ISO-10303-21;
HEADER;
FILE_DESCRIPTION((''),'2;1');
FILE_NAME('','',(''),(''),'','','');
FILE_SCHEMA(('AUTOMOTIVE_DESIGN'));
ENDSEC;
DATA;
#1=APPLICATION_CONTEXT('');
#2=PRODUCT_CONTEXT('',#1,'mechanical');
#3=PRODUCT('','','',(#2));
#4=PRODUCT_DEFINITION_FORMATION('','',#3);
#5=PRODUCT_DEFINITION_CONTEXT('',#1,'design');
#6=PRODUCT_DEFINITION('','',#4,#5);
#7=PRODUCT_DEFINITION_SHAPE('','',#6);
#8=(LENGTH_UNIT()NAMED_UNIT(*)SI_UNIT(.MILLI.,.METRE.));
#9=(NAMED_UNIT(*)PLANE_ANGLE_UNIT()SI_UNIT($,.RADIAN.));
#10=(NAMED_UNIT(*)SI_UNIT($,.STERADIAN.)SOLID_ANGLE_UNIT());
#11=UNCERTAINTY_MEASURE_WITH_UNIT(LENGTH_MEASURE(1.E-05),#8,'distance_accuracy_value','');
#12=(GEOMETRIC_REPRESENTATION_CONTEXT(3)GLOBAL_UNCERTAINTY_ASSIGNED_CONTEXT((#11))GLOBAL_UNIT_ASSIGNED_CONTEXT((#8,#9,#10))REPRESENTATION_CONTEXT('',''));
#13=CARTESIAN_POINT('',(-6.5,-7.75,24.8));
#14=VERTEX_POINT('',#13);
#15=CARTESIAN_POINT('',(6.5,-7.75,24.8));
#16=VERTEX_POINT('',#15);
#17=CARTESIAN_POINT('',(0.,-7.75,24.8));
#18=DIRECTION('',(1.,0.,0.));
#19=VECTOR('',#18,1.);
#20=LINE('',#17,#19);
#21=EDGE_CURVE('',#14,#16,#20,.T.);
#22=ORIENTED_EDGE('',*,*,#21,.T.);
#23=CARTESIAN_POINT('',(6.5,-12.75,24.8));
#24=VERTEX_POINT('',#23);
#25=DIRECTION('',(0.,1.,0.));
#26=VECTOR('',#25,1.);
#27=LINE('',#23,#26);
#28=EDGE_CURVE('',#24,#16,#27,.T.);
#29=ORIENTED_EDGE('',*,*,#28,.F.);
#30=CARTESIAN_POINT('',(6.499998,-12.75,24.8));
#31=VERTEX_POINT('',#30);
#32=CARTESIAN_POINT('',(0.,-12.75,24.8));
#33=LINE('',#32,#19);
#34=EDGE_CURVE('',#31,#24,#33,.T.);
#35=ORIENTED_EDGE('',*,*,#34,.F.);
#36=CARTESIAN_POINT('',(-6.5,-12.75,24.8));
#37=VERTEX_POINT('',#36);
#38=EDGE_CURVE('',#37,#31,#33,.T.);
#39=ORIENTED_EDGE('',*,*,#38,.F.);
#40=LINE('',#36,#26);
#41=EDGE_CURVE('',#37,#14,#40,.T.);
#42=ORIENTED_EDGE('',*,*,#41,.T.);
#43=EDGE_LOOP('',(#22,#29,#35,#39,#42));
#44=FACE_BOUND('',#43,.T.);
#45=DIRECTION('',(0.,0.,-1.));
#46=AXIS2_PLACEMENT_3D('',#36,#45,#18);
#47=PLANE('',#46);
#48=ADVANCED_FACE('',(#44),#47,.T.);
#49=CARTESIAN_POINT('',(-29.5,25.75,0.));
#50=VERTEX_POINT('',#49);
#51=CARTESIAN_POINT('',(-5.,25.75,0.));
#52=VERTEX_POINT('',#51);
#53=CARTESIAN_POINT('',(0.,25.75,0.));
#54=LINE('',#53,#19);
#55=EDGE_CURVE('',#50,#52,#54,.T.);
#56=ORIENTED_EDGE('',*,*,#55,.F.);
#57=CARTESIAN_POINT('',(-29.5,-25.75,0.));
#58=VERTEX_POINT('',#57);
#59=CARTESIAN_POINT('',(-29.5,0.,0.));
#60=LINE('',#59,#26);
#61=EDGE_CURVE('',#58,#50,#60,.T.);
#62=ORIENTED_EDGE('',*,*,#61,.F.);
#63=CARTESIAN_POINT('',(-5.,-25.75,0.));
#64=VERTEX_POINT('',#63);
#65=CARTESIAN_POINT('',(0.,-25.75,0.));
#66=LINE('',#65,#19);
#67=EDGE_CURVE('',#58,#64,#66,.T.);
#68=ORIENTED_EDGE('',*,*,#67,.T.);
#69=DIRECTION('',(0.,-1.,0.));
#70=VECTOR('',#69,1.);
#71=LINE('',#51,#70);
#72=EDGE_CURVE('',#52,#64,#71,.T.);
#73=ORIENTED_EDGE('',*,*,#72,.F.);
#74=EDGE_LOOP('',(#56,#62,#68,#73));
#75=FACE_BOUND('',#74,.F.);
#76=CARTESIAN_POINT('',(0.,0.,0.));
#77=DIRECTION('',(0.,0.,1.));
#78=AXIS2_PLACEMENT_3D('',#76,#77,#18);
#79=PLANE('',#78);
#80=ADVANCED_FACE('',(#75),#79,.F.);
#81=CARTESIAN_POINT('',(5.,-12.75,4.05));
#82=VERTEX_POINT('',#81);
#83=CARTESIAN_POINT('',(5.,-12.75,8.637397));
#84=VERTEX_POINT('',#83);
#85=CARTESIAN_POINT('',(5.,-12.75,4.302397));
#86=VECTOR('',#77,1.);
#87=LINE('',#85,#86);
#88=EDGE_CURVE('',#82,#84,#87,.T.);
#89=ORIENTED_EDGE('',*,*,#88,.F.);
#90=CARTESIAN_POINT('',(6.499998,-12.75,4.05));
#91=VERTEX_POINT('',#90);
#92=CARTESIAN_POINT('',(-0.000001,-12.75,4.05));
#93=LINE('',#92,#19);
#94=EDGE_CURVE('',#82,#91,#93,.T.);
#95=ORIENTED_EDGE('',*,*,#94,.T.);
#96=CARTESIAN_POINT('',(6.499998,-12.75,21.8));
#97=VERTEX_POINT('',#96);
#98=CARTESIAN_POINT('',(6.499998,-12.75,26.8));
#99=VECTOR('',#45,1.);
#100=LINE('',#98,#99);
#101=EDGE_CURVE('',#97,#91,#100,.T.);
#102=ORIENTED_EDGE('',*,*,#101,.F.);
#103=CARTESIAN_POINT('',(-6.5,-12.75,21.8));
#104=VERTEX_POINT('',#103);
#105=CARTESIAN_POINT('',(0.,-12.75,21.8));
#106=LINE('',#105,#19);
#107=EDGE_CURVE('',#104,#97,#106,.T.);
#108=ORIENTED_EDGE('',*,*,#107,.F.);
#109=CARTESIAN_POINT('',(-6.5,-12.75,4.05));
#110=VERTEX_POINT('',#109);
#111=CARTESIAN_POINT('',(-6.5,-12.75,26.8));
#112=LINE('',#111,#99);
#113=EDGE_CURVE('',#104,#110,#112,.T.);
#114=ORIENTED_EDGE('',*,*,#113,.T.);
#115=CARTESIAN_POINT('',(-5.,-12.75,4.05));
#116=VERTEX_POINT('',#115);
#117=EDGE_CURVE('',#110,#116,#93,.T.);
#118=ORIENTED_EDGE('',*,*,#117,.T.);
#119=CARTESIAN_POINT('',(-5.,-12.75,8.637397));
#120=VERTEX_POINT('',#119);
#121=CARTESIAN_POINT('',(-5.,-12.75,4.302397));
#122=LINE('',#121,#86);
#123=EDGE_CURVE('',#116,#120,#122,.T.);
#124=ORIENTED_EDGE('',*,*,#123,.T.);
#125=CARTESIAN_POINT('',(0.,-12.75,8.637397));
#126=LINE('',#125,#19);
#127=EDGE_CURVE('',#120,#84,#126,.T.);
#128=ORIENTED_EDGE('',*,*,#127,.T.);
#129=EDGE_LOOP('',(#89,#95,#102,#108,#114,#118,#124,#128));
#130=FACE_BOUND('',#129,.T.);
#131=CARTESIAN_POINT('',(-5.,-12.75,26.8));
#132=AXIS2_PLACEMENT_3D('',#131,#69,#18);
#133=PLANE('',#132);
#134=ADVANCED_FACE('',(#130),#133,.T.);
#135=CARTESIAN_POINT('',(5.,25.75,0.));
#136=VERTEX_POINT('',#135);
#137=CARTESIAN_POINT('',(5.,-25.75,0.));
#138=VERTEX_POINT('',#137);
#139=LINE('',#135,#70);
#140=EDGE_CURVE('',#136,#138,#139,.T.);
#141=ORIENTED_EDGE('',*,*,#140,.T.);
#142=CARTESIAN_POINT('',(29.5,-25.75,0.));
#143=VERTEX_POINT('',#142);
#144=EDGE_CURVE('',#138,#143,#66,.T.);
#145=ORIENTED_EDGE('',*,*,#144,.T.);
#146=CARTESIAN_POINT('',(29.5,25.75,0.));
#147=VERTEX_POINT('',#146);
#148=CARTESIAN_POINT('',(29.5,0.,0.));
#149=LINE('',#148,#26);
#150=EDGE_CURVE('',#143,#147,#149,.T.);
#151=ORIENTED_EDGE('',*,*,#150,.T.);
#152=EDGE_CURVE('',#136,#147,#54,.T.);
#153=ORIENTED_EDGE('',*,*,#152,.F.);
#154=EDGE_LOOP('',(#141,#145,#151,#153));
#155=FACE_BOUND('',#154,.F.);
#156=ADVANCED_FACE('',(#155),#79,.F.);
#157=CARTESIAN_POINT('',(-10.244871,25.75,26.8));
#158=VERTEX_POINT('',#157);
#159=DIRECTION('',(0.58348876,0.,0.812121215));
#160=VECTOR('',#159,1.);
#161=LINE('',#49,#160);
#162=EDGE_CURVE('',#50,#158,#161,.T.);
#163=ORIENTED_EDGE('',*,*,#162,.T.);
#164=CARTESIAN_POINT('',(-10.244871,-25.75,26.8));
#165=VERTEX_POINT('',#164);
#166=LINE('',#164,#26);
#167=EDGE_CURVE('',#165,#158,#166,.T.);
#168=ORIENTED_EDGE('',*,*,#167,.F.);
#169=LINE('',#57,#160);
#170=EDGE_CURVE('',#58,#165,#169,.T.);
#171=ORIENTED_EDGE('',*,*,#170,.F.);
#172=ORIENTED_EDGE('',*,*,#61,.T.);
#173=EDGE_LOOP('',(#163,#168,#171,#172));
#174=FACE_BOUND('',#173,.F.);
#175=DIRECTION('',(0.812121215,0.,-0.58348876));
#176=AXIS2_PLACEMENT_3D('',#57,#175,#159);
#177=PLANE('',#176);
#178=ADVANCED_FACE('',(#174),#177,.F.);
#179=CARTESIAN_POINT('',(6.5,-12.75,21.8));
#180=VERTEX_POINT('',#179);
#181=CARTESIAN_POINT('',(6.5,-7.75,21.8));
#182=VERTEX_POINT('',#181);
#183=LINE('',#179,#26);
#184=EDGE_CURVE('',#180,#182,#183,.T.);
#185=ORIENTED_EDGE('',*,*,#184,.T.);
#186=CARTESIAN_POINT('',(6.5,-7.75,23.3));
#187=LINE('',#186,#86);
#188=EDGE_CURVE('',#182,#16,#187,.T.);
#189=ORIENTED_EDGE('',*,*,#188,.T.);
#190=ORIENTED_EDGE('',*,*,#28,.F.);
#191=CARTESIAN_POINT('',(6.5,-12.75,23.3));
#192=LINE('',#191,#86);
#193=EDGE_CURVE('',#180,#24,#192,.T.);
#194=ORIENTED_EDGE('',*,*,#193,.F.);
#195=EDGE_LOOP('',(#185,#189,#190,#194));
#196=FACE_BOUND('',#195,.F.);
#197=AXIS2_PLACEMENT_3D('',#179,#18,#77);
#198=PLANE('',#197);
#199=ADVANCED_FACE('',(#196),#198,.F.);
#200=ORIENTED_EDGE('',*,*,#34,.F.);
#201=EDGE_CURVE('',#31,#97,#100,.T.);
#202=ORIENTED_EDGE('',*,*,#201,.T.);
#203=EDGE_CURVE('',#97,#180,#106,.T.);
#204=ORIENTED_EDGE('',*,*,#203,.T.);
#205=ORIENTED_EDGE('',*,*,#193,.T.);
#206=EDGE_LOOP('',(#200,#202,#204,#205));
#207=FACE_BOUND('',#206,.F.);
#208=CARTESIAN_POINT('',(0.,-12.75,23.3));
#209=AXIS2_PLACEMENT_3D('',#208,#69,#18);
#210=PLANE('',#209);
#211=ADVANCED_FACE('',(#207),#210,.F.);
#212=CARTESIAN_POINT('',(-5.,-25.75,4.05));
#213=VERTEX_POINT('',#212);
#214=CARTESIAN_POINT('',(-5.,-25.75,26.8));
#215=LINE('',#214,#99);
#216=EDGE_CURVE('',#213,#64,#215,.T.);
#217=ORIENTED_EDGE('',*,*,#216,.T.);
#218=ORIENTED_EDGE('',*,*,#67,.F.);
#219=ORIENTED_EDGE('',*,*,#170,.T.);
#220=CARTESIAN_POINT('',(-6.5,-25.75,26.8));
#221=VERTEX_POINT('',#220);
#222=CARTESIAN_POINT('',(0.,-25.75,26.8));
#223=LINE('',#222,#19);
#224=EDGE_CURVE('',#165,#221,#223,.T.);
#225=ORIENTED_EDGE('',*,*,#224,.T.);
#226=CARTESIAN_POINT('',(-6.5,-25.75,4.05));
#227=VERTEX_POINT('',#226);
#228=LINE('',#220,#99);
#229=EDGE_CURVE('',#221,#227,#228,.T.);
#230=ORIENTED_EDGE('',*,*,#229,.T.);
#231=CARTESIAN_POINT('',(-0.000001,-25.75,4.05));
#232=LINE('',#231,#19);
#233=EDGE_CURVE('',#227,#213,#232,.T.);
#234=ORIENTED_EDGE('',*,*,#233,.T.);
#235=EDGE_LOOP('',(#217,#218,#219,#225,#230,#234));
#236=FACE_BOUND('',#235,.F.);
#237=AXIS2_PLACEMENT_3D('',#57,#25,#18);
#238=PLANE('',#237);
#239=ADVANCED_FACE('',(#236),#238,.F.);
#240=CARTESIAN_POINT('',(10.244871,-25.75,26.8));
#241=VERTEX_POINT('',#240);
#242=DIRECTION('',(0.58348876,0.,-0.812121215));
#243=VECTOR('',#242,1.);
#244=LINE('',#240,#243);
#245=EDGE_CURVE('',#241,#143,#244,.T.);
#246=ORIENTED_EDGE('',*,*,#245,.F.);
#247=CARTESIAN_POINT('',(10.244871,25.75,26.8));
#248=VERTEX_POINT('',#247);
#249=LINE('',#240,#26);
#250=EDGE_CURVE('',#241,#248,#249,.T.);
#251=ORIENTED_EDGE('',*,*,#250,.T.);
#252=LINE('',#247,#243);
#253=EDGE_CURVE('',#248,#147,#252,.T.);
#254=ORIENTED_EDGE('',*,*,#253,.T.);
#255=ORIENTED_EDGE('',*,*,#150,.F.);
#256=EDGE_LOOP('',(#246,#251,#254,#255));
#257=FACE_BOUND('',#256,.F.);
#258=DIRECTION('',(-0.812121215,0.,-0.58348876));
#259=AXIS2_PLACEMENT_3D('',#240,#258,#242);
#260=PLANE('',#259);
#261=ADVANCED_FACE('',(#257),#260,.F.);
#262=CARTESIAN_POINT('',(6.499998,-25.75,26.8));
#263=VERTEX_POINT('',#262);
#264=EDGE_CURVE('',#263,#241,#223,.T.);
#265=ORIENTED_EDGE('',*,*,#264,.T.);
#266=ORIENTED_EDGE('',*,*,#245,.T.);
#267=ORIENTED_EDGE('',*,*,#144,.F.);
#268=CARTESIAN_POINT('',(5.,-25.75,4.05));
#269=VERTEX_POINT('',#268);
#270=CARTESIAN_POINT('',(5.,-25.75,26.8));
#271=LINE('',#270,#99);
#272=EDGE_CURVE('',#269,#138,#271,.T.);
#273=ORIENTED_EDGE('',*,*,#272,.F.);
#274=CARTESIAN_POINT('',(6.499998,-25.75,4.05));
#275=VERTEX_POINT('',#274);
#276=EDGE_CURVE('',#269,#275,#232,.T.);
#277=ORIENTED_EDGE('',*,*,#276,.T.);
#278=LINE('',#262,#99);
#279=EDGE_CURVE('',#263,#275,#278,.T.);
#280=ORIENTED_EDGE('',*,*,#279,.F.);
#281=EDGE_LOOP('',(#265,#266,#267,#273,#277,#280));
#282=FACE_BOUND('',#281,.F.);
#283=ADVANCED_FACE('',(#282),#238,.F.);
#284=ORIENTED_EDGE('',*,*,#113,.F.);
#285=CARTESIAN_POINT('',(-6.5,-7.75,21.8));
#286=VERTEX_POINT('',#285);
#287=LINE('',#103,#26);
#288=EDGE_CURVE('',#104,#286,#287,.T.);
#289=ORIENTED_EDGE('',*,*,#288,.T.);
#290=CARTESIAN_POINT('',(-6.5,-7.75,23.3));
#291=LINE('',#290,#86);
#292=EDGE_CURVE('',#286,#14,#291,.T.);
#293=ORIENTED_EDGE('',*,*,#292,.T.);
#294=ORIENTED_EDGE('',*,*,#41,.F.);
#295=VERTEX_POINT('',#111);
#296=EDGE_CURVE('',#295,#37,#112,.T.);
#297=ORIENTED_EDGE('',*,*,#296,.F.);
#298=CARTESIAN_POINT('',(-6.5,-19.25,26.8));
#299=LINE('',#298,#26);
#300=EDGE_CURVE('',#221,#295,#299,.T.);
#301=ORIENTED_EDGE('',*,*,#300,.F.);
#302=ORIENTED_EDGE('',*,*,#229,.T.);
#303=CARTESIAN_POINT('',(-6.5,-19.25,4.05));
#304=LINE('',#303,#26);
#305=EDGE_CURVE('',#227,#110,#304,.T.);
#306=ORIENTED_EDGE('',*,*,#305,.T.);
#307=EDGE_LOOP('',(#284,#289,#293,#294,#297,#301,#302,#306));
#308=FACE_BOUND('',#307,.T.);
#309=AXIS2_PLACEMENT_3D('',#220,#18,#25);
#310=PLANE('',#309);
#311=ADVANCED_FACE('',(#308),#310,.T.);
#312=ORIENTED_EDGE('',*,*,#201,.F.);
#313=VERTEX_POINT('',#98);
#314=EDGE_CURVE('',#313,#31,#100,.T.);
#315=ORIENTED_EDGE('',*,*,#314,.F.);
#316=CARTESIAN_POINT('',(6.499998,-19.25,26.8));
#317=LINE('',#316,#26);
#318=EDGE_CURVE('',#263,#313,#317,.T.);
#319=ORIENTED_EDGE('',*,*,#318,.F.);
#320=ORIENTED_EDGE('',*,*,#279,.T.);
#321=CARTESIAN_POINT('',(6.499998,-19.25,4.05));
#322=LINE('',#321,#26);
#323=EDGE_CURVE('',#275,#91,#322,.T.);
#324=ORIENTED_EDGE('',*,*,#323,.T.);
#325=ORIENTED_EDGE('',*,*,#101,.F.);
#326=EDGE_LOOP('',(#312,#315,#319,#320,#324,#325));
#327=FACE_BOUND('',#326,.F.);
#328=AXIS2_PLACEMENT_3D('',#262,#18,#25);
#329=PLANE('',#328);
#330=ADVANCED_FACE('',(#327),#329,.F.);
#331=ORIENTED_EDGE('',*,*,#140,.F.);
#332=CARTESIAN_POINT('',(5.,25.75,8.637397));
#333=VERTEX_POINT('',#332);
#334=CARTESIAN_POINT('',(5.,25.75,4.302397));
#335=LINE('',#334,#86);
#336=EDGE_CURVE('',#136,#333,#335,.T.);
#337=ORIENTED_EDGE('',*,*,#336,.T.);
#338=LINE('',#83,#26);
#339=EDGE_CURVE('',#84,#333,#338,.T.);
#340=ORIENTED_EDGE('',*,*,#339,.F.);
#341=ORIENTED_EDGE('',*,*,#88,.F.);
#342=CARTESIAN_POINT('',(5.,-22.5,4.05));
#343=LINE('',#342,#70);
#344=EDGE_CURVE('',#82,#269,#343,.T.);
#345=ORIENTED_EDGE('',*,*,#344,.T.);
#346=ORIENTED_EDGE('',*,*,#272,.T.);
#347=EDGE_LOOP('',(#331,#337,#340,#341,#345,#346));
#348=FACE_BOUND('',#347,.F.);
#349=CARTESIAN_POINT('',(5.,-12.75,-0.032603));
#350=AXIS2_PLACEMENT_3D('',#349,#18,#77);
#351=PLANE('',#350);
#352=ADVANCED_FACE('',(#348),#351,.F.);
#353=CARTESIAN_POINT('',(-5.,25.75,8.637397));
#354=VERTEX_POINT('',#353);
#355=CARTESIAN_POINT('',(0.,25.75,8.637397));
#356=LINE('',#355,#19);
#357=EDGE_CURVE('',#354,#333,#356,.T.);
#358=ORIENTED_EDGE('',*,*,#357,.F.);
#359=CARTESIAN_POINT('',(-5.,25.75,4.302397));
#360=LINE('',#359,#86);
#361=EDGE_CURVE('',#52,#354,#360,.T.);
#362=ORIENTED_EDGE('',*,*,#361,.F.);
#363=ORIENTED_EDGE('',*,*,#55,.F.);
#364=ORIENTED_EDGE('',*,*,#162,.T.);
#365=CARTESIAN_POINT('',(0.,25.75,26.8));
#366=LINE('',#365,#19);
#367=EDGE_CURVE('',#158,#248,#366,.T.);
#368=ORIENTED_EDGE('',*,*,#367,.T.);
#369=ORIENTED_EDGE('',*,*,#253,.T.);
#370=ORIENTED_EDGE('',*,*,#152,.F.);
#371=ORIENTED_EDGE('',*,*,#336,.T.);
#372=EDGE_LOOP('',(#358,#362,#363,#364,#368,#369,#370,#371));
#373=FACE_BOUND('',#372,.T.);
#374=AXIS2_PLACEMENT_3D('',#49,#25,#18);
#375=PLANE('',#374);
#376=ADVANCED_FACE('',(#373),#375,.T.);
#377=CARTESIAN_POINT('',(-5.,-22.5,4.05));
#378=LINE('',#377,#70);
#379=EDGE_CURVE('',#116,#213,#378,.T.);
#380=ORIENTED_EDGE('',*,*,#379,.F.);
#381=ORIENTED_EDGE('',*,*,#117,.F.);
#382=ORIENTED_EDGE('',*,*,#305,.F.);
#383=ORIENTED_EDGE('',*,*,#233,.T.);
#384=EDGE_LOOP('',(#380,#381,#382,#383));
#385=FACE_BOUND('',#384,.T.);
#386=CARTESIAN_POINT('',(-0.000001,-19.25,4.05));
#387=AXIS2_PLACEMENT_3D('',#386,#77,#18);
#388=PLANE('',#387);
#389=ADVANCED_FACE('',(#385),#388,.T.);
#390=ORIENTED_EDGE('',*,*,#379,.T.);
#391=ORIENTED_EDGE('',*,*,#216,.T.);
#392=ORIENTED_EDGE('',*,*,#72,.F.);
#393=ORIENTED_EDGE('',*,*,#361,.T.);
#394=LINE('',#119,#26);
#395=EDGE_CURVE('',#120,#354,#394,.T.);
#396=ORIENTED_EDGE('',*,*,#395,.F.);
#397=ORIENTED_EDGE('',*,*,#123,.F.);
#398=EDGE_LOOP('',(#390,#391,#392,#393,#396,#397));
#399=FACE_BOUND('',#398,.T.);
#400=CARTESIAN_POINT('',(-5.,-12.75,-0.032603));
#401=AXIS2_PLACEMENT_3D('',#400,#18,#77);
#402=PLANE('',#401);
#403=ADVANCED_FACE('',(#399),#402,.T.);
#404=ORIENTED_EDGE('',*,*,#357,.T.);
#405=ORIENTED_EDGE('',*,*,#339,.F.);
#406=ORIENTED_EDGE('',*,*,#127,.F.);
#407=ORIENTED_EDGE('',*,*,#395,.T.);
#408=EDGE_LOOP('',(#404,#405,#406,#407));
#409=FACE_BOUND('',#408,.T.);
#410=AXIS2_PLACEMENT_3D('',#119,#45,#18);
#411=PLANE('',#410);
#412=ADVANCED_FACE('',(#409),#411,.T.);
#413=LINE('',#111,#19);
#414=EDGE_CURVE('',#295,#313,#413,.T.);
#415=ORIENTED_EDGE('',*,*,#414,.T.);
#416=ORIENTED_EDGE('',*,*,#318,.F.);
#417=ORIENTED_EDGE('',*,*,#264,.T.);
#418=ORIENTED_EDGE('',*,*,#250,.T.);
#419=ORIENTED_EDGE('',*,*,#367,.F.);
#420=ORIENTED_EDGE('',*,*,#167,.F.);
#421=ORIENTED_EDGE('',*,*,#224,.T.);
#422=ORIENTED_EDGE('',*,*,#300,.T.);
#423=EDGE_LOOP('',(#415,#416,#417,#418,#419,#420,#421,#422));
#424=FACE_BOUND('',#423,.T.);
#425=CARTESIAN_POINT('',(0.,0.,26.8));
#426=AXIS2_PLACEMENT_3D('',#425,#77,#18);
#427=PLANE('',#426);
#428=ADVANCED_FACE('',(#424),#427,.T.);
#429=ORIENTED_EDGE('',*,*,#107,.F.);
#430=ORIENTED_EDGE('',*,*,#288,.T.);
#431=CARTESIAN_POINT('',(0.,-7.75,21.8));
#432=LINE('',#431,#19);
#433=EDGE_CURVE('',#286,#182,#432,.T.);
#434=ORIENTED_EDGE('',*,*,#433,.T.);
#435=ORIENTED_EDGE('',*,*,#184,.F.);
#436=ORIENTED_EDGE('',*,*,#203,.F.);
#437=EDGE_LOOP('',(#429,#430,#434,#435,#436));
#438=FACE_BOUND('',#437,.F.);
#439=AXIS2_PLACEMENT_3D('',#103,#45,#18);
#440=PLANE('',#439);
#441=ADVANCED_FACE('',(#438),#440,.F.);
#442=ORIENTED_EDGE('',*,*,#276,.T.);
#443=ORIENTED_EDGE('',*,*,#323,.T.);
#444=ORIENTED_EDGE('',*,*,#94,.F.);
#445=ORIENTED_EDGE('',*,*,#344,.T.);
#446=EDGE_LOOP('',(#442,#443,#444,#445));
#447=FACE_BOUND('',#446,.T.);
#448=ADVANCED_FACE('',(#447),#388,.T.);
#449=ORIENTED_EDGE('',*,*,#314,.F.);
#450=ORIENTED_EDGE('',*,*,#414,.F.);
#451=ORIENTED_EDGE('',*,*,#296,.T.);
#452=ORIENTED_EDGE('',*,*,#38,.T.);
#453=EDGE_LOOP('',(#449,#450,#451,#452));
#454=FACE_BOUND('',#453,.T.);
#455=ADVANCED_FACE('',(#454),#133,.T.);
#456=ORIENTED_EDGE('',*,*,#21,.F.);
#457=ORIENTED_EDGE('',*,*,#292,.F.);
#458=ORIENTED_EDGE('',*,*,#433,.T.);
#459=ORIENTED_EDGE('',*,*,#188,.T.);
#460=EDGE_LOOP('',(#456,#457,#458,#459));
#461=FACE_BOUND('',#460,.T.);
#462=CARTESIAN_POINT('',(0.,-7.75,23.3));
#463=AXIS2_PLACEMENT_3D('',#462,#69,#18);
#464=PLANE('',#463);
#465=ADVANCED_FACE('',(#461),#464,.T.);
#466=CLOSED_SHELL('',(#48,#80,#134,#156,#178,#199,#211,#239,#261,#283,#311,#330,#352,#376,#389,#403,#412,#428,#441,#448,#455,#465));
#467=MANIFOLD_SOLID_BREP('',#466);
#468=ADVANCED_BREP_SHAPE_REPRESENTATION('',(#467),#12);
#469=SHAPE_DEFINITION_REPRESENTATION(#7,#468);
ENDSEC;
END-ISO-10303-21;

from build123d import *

# Parameters (mm, degrees)
F0_W      = 59
F0_H      = 51.5
F1_DEPTH  = 26.8
F2_W      = 10
F2_H      = 13
F3_DEPTH  = 26.8
F4_W      = 12.999998
F4_H      = 13
F5_DEPTH  = 22.75
F7_DEPTH  = 51.5
F9_DEPTH  = 51.5
F10_W     = 10
F10_H     = 8.67
F11_DEPTH = 38.5
F12_W     = 13
F12_H     = 3
F13_DEPTH = 5


with BuildPart() as f1:
    # F0 (on Top) → F1 (new body)
    with BuildSketch(Plane.XY):
        Rectangle(F0_W, F0_H)
    extrude(amount=F1_DEPTH)

    # F2 (on face) → F3 (cut)
    with BuildSketch(Plane.XY.offset(26.8)):
        with Locations((0, -19.25)):
            Rectangle(F2_W, F2_H)
    extrude(amount=-F3_DEPTH, mode=Mode.SUBTRACT)

    # F4 (on face) → F5 (cut)
    with BuildSketch(Plane.XY.offset(26.8)):
        with Locations((-1e-06, -19.25)):
            Rectangle(F4_W, F4_H)
    extrude(amount=-F5_DEPTH, mode=Mode.SUBTRACT)

    # F6 (on face) → F7 (cut)
    with BuildSketch(Plane.XZ.offset(25.75)):
        Polygon((-29.5, 26.8), (-29.5, 0), (-10.244871, 26.8), align=None)
    extrude(amount=-F7_DEPTH, mode=Mode.SUBTRACT)

    # F8 (on face) → F9 (cut)
    with BuildSketch(Plane.XZ.offset(25.75)):
        Polygon((10.244871, 26.8), (29.5, 0), (29.5, 26.8), align=None)
    extrude(amount=-F9_DEPTH, mode=Mode.SUBTRACT)

    # F10 (on face) → F11 (cut)
    with BuildSketch(Plane.XZ.offset(12.75)):
        with Locations((0, 4.302397)):
            Rectangle(F10_W, F10_H)
    extrude(amount=-F11_DEPTH, mode=Mode.SUBTRACT)

    # F12 (on face) → F13 (cut)
    with BuildSketch(Plane.XZ.offset(12.75)):
        with Locations((0, 23.3)):
            Rectangle(F12_W, F12_H)
    extrude(amount=-F13_DEPTH, mode=Mode.SUBTRACT)


solid = f1.part
